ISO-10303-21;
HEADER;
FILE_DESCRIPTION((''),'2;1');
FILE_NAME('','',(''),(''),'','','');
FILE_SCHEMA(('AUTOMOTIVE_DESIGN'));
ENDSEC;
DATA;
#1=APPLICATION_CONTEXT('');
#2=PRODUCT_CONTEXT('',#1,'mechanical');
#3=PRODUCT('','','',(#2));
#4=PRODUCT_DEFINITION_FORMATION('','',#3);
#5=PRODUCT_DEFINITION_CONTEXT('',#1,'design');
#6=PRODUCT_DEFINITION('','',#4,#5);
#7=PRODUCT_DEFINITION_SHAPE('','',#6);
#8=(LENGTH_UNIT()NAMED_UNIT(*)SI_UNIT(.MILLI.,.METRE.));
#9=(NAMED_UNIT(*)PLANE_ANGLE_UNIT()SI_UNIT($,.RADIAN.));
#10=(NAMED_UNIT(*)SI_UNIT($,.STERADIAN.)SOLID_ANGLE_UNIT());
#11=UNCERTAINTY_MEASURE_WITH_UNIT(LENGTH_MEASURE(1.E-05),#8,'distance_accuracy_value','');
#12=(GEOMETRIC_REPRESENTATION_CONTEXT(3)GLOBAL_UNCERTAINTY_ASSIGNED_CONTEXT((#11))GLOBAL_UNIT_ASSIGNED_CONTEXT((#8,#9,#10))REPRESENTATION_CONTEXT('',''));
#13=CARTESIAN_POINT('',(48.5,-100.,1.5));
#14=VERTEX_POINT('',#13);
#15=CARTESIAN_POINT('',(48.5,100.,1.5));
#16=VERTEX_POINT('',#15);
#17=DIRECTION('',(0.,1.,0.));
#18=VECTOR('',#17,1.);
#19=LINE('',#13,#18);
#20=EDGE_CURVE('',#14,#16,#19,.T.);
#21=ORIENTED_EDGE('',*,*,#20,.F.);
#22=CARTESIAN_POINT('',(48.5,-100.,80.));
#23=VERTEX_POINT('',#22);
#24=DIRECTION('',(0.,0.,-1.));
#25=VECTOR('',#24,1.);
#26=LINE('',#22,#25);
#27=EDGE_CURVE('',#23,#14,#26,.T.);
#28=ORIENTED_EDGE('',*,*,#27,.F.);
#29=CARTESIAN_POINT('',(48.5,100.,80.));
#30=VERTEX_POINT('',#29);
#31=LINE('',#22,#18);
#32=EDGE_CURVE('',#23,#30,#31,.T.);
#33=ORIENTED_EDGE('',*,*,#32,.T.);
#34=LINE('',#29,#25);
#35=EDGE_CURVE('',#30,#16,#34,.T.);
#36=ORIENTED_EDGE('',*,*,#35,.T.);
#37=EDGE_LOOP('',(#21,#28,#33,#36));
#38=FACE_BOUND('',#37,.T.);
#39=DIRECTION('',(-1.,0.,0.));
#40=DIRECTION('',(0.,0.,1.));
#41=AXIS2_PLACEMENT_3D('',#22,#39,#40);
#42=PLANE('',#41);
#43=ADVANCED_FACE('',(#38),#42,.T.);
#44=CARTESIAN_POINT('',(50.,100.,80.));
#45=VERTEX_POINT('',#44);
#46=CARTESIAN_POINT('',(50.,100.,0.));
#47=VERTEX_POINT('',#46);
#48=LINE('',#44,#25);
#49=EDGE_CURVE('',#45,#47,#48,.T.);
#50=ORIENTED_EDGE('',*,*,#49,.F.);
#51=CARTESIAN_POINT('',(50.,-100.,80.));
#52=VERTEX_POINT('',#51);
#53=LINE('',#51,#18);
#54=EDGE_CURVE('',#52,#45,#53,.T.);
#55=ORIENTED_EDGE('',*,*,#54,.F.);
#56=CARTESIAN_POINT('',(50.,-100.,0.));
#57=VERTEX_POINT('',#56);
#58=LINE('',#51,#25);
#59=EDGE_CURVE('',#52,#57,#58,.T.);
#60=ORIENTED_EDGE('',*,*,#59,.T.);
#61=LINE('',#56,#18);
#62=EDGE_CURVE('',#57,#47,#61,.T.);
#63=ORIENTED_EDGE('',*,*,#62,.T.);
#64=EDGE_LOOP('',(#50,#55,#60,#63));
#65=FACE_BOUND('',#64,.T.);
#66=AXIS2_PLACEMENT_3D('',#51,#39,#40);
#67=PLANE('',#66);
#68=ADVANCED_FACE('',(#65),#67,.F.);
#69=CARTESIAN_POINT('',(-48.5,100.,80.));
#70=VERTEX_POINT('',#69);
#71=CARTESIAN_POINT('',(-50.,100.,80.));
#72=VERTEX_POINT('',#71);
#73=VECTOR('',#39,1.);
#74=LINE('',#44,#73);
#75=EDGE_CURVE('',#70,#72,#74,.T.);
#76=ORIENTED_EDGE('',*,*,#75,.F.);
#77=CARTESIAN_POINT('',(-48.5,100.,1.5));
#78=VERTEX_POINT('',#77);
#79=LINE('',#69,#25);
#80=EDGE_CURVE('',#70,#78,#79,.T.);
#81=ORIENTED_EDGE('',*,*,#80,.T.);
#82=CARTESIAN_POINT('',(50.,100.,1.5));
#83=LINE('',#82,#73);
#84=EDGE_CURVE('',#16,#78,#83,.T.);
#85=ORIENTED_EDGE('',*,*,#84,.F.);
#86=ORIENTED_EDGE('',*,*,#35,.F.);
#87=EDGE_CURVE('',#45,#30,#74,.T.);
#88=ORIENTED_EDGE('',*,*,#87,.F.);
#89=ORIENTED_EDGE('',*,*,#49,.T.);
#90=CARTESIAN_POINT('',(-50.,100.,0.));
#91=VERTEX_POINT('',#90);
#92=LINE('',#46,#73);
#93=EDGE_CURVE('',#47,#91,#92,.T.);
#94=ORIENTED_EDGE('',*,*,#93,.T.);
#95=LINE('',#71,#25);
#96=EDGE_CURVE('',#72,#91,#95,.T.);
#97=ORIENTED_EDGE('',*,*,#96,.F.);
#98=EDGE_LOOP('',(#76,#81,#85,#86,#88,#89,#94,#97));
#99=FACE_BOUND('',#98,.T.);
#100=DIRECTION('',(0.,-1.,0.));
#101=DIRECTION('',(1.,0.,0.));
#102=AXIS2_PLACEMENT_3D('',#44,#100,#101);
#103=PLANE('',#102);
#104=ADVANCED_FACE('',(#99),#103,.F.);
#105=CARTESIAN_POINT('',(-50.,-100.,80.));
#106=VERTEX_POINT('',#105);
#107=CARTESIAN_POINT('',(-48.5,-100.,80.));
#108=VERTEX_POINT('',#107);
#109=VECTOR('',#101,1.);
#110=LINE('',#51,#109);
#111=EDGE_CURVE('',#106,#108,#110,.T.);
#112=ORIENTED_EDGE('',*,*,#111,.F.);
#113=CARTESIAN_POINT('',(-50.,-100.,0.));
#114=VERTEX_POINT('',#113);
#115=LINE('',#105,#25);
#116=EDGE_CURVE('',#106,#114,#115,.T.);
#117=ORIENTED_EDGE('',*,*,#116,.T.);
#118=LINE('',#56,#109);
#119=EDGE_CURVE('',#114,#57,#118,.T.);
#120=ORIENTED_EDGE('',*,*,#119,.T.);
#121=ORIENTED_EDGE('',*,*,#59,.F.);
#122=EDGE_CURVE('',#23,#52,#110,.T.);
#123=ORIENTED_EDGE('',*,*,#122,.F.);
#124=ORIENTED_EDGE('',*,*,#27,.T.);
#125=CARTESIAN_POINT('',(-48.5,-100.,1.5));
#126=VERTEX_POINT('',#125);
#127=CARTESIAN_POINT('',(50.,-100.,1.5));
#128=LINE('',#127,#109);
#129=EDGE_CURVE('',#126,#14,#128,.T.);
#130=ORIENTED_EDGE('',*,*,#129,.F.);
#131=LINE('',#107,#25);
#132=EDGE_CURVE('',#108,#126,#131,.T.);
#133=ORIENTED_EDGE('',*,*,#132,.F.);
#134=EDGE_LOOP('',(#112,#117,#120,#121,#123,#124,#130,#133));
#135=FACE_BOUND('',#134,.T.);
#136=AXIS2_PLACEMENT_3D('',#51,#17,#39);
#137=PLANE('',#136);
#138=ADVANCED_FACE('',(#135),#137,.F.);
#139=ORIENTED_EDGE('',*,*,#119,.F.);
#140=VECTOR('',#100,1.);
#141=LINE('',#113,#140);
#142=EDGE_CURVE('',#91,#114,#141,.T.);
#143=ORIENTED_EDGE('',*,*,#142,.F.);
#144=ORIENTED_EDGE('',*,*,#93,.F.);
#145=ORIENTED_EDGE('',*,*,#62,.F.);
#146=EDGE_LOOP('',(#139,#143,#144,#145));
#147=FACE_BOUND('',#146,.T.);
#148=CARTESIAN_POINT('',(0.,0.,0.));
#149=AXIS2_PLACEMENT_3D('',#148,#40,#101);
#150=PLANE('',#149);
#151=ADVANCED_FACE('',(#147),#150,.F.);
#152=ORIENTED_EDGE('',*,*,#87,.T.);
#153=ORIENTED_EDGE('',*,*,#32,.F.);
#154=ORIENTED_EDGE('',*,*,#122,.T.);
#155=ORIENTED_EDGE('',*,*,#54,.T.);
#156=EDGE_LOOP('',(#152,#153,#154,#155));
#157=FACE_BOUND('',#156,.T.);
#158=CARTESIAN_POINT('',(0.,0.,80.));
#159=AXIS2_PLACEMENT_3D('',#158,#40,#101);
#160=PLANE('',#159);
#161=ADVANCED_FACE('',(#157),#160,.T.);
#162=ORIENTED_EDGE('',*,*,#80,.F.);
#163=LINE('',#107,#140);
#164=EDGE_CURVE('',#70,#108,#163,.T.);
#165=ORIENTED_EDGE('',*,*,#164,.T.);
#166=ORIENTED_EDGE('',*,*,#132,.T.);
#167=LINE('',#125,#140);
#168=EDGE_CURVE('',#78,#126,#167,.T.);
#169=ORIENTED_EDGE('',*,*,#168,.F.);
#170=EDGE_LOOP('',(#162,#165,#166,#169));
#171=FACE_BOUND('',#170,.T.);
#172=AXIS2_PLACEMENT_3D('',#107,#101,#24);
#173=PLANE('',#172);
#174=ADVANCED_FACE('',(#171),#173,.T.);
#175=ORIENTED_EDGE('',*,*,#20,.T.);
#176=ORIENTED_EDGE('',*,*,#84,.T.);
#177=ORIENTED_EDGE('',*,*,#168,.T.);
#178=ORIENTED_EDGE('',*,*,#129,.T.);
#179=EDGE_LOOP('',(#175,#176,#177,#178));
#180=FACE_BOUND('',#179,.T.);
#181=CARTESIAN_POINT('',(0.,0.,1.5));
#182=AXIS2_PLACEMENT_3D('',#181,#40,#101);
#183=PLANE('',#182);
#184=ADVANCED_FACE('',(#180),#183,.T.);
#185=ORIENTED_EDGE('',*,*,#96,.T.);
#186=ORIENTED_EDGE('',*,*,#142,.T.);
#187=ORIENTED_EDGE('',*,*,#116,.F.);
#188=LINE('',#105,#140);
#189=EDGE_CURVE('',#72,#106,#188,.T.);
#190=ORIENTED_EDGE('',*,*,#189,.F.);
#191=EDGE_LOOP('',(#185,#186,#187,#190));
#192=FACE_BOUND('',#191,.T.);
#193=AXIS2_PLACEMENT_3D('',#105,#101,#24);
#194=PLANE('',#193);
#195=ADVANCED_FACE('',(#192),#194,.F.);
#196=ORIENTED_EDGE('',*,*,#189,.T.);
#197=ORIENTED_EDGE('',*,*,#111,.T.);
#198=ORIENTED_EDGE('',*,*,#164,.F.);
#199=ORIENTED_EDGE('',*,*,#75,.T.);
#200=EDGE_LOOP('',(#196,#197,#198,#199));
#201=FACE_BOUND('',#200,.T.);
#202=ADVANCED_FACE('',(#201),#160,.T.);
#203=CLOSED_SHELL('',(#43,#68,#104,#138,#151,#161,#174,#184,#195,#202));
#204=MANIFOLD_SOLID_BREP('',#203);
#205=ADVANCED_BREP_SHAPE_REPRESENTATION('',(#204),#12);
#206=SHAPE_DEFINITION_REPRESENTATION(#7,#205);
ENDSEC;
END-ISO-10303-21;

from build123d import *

# Parameters (mm, degrees)
SKETCH1_W           = 100
SKETCH1_H           = 200
BOSS_EXTRUDE1_DEPTH = 80
SHELL1_T            = -1.5


with BuildPart() as part:
    # Sketch1 → Boss-Extrude1 (new body)
    with BuildSketch(Plane.XY):
        Rectangle(SKETCH1_W, SKETCH1_H)
    extrude(amount=BOSS_EXTRUDE1_DEPTH)

    # Shell1
    shell1_openings = [part.faces().sort_by_distance(p)[0] for p in [
        (0, 0, 80),
        (0, 100, 40),
        (0, -100, 40),
    ]]
    offset(amount=SHELL1_T, openings=shell1_openings, kind=Kind.INTERSECTION)


solid = part.part
